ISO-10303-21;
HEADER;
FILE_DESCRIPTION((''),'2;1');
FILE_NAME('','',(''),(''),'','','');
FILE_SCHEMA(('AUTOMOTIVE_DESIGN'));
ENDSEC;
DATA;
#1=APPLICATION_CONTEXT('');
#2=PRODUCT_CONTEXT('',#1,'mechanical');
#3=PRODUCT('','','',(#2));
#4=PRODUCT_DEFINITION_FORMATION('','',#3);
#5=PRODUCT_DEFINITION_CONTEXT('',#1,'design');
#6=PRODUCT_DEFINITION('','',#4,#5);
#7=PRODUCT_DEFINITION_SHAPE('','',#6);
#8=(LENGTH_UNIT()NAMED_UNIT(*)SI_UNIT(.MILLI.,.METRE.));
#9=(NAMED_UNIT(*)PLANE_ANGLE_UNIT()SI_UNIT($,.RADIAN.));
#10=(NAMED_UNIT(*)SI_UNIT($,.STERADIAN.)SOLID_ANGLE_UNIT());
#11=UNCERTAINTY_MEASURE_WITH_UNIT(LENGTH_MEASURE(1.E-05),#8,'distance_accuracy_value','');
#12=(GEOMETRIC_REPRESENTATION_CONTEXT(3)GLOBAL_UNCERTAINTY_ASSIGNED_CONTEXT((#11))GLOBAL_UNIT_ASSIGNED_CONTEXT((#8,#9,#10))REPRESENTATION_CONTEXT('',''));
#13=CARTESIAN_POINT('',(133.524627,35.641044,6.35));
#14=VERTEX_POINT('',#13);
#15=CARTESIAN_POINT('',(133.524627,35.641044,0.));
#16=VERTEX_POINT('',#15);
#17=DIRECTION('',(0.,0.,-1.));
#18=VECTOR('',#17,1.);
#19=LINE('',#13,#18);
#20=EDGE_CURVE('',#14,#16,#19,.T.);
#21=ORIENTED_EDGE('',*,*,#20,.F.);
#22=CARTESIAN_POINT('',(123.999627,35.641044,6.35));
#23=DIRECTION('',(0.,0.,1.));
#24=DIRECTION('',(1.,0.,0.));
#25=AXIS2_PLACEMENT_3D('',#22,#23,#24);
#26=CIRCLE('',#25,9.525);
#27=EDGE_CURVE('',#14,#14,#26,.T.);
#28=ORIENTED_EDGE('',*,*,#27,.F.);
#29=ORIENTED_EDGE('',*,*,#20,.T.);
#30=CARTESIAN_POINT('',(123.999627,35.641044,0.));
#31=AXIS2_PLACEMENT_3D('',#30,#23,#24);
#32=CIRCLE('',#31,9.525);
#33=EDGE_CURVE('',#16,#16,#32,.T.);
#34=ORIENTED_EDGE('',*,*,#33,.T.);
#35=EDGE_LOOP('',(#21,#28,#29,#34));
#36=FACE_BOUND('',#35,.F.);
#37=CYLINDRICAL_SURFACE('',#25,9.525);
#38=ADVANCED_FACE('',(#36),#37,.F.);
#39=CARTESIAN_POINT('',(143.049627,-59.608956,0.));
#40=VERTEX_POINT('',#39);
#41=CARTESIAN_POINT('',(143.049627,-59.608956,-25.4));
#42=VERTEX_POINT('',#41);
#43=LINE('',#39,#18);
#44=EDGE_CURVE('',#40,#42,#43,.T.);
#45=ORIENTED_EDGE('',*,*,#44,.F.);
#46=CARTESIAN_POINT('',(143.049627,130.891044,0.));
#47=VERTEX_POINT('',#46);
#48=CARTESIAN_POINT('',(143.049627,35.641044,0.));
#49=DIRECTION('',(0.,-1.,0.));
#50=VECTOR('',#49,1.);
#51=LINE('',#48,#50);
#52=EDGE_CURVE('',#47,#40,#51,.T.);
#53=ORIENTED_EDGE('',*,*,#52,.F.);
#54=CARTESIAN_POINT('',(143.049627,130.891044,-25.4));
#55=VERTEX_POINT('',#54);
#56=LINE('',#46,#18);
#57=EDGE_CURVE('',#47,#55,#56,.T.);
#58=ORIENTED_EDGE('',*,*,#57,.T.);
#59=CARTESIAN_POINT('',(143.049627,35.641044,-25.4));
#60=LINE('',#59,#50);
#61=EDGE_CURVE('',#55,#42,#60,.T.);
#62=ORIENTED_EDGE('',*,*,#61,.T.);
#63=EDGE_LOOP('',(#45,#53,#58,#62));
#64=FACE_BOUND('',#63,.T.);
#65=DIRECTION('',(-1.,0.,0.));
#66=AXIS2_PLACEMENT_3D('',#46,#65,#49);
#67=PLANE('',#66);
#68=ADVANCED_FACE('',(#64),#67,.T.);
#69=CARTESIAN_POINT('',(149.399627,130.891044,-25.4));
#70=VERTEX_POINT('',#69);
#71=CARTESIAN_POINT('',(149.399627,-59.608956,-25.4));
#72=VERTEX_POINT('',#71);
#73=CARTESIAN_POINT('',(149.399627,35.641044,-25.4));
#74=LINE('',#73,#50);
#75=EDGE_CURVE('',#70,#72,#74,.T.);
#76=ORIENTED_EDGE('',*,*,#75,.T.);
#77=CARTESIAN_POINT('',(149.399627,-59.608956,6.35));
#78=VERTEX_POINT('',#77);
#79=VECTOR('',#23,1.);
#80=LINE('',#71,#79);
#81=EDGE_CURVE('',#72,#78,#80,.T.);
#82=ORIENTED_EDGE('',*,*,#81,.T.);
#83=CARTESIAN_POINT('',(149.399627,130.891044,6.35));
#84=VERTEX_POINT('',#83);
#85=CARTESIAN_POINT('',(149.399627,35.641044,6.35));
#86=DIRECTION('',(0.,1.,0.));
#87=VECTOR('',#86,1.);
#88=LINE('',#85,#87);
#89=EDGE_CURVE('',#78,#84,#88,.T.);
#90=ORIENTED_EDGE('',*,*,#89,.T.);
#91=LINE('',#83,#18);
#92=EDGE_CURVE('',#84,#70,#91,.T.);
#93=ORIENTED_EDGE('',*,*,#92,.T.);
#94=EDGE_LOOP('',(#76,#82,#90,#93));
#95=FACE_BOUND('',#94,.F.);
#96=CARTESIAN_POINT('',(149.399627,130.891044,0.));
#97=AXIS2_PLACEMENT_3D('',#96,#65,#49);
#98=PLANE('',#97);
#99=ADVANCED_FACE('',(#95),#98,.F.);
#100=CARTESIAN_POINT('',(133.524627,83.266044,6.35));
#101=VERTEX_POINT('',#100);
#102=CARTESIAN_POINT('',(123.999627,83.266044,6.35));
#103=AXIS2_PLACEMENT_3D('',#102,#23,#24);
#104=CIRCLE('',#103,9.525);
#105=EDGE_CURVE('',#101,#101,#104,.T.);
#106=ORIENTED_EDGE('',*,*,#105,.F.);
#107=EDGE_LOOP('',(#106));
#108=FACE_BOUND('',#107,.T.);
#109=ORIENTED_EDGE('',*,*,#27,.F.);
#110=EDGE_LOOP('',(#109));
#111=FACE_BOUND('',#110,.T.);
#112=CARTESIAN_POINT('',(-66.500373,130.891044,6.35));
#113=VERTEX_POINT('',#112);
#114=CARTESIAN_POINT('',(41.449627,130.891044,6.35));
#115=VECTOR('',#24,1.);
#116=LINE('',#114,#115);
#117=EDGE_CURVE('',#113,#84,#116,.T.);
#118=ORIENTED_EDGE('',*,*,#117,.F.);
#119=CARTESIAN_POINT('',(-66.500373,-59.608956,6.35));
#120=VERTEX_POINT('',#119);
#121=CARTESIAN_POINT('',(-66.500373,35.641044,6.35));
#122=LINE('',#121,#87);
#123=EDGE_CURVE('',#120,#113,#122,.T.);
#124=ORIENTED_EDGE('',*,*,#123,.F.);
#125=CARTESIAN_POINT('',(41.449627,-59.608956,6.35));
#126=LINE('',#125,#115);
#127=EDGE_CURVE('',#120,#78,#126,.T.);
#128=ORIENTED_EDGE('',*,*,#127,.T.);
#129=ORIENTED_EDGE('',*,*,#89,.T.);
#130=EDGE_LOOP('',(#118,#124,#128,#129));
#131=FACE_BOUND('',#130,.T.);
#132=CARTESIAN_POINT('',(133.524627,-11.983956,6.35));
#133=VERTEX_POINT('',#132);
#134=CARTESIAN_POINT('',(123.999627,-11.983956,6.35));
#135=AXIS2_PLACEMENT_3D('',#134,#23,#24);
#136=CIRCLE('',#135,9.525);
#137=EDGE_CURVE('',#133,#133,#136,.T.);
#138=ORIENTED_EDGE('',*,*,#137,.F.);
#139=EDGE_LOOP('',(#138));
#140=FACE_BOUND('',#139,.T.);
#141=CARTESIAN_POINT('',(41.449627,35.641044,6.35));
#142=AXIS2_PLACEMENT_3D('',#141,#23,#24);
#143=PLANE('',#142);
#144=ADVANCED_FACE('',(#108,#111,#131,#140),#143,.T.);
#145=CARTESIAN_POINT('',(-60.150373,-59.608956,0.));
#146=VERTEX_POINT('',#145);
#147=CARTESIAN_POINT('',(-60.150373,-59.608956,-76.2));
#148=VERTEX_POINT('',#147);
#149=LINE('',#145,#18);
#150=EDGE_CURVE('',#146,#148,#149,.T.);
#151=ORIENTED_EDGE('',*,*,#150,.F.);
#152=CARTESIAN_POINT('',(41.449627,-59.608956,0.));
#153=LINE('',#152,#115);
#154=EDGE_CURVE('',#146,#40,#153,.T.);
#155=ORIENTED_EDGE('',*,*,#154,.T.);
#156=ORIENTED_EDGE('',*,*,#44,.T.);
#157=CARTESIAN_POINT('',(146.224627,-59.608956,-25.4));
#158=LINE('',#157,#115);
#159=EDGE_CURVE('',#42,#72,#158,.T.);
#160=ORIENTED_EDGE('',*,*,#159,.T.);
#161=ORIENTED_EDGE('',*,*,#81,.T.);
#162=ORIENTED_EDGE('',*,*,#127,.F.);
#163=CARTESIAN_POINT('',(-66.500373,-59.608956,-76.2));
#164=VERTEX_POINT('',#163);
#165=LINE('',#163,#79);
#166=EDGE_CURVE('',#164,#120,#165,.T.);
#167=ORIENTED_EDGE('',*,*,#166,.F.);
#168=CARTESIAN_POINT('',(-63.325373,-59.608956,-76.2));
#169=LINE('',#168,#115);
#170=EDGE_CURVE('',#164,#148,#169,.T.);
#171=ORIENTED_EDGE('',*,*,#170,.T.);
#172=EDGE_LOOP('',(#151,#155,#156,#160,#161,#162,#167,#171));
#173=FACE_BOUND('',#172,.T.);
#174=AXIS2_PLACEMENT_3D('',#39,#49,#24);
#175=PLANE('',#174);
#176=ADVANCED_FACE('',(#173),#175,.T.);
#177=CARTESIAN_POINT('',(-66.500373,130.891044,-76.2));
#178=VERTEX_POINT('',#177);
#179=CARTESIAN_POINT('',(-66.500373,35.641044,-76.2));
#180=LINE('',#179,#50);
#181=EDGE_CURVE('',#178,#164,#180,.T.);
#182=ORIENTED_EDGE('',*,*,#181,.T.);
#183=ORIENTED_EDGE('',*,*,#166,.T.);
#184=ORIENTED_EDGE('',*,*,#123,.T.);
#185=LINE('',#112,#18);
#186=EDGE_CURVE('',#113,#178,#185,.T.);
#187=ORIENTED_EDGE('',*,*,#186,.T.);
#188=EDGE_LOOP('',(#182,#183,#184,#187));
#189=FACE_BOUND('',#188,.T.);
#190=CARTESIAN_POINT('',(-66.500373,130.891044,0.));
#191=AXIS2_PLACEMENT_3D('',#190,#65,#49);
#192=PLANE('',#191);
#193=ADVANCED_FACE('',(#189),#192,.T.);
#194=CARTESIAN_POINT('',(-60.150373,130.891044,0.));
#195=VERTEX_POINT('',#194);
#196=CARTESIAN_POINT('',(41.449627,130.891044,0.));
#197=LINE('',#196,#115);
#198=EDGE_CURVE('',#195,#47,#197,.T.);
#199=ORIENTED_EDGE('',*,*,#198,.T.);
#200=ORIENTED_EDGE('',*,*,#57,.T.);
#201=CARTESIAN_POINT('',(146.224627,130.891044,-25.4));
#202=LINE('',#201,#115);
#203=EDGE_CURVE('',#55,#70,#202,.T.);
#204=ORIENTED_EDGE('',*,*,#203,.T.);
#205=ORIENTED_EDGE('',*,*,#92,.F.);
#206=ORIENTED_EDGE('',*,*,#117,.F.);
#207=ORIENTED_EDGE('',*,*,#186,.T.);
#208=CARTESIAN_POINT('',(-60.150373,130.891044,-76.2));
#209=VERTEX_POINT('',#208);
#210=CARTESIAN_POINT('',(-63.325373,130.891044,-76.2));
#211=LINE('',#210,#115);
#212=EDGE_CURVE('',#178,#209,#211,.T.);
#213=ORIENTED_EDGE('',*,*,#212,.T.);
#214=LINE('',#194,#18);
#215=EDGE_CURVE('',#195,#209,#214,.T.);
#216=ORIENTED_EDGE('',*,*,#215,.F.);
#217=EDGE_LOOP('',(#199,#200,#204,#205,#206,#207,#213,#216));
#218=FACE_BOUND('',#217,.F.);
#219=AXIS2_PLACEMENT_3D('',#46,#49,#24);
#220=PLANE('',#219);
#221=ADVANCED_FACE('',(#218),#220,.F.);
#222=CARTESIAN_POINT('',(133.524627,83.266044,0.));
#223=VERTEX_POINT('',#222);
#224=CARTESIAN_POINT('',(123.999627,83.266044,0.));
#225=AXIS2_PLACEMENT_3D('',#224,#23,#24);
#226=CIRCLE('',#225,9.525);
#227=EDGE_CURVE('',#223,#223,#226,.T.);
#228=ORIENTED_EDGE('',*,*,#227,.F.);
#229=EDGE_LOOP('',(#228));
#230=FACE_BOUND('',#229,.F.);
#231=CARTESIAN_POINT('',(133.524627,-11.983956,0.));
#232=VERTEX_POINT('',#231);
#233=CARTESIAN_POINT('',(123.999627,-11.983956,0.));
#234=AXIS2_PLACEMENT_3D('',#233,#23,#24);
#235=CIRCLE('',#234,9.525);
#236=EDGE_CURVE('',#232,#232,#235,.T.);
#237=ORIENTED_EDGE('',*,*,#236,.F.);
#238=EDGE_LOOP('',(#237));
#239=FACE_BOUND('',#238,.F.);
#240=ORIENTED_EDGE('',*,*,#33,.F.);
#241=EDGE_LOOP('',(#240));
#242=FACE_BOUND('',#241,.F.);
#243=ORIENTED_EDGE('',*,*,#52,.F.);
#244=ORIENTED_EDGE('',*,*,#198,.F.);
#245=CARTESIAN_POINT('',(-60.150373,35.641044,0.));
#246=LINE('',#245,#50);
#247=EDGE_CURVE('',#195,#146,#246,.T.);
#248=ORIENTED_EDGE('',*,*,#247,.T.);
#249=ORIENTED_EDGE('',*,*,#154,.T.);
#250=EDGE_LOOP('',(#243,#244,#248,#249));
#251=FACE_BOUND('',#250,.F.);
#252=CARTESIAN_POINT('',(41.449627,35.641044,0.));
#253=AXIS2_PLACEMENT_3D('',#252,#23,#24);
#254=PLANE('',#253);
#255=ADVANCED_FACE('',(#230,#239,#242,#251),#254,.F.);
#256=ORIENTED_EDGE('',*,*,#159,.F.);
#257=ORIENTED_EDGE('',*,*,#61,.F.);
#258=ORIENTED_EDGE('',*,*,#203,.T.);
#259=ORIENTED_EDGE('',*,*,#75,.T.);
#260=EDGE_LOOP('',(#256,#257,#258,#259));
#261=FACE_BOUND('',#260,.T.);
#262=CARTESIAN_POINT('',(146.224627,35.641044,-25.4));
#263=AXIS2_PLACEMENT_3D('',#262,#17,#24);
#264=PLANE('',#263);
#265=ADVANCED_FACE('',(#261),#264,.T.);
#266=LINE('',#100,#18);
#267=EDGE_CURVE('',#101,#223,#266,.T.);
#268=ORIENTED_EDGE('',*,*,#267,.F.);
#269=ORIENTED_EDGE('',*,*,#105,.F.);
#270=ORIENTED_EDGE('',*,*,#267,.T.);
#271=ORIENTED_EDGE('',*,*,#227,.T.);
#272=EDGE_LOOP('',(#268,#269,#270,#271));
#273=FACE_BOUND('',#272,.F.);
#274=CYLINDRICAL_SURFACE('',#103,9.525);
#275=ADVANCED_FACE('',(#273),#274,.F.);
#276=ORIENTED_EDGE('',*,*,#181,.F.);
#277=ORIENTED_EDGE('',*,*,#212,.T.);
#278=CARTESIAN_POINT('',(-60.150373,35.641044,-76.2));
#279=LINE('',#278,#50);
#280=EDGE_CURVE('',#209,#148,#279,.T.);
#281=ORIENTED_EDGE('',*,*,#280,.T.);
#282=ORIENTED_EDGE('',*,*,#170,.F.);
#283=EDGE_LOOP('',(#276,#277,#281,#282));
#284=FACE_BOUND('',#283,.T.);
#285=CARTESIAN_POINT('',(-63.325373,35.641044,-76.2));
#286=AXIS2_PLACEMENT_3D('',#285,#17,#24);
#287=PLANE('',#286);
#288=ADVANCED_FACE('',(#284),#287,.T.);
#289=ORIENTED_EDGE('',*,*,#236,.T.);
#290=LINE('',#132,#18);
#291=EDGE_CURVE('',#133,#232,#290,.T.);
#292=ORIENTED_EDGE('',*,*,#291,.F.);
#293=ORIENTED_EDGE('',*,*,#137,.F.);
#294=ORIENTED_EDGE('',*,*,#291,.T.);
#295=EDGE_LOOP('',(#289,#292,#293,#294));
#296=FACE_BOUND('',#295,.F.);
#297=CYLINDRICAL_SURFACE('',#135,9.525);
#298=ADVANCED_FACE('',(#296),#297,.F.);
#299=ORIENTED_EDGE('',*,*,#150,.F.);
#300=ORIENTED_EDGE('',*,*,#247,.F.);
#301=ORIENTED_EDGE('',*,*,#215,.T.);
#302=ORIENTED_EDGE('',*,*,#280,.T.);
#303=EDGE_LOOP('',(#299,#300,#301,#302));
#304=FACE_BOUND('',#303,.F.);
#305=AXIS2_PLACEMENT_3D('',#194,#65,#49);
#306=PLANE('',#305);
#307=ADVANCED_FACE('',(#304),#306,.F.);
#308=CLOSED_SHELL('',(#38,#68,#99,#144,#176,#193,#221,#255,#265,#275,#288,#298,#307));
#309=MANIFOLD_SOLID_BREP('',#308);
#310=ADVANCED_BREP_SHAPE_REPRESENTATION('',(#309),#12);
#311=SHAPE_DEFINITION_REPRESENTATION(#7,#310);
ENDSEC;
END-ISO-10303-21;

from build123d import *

# Parameters (mm, degrees)
F0_W     = 215.9
F0_H     = 190.5
F1_DEPTH = 6.35
F2_R     = 9.525
F3_DEPTH = 25.4
F4_W     = 6.35
F4_H     = 190.5
F5_DEPTH = 76.2
F6_W     = 6.35
F6_H     = 190.5
F7_DEPTH = 25.4


with BuildPart() as f1:
    # F0 (on Top) → F1 (new body)
    with BuildSketch(Plane.XY):
        with Locations((41.449627, 35.641044)):
            Rectangle(F0_W, F0_H)
    extrude(amount=F1_DEPTH)

    # F2 (on face) → F3 (cut)
    with BuildSketch(Plane.XY.offset(6.35)):
        with Locations((123.999627, 83.266044)):
            Circle(F2_R)
        with Locations((123.999627, 35.641044)):
            Circle(F2_R)
        with Locations((123.999627, -11.983956)):
            Circle(F2_R)
    extrude(amount=-F3_DEPTH, mode=Mode.SUBTRACT)

    # F4 (on face) → F5 (join)
    with BuildSketch(Plane(origin=(0, 0, 0), x_dir=(1, 0, 0), z_dir=(0, 0, -1))):
        with Locations((-63.325373, -35.641044)):
            Rectangle(F4_W, F4_H)
    extrude(amount=F5_DEPTH)

    # F6 (on face) → F7 (join)
    with BuildSketch(Plane(origin=(0, 0, 0), x_dir=(1, 0, 0), z_dir=(0, 0, -1))):
        with Locations((146.224627, -35.641044)):
            Rectangle(F6_W, F6_H)
    extrude(amount=F7_DEPTH)


solid = f1.part
